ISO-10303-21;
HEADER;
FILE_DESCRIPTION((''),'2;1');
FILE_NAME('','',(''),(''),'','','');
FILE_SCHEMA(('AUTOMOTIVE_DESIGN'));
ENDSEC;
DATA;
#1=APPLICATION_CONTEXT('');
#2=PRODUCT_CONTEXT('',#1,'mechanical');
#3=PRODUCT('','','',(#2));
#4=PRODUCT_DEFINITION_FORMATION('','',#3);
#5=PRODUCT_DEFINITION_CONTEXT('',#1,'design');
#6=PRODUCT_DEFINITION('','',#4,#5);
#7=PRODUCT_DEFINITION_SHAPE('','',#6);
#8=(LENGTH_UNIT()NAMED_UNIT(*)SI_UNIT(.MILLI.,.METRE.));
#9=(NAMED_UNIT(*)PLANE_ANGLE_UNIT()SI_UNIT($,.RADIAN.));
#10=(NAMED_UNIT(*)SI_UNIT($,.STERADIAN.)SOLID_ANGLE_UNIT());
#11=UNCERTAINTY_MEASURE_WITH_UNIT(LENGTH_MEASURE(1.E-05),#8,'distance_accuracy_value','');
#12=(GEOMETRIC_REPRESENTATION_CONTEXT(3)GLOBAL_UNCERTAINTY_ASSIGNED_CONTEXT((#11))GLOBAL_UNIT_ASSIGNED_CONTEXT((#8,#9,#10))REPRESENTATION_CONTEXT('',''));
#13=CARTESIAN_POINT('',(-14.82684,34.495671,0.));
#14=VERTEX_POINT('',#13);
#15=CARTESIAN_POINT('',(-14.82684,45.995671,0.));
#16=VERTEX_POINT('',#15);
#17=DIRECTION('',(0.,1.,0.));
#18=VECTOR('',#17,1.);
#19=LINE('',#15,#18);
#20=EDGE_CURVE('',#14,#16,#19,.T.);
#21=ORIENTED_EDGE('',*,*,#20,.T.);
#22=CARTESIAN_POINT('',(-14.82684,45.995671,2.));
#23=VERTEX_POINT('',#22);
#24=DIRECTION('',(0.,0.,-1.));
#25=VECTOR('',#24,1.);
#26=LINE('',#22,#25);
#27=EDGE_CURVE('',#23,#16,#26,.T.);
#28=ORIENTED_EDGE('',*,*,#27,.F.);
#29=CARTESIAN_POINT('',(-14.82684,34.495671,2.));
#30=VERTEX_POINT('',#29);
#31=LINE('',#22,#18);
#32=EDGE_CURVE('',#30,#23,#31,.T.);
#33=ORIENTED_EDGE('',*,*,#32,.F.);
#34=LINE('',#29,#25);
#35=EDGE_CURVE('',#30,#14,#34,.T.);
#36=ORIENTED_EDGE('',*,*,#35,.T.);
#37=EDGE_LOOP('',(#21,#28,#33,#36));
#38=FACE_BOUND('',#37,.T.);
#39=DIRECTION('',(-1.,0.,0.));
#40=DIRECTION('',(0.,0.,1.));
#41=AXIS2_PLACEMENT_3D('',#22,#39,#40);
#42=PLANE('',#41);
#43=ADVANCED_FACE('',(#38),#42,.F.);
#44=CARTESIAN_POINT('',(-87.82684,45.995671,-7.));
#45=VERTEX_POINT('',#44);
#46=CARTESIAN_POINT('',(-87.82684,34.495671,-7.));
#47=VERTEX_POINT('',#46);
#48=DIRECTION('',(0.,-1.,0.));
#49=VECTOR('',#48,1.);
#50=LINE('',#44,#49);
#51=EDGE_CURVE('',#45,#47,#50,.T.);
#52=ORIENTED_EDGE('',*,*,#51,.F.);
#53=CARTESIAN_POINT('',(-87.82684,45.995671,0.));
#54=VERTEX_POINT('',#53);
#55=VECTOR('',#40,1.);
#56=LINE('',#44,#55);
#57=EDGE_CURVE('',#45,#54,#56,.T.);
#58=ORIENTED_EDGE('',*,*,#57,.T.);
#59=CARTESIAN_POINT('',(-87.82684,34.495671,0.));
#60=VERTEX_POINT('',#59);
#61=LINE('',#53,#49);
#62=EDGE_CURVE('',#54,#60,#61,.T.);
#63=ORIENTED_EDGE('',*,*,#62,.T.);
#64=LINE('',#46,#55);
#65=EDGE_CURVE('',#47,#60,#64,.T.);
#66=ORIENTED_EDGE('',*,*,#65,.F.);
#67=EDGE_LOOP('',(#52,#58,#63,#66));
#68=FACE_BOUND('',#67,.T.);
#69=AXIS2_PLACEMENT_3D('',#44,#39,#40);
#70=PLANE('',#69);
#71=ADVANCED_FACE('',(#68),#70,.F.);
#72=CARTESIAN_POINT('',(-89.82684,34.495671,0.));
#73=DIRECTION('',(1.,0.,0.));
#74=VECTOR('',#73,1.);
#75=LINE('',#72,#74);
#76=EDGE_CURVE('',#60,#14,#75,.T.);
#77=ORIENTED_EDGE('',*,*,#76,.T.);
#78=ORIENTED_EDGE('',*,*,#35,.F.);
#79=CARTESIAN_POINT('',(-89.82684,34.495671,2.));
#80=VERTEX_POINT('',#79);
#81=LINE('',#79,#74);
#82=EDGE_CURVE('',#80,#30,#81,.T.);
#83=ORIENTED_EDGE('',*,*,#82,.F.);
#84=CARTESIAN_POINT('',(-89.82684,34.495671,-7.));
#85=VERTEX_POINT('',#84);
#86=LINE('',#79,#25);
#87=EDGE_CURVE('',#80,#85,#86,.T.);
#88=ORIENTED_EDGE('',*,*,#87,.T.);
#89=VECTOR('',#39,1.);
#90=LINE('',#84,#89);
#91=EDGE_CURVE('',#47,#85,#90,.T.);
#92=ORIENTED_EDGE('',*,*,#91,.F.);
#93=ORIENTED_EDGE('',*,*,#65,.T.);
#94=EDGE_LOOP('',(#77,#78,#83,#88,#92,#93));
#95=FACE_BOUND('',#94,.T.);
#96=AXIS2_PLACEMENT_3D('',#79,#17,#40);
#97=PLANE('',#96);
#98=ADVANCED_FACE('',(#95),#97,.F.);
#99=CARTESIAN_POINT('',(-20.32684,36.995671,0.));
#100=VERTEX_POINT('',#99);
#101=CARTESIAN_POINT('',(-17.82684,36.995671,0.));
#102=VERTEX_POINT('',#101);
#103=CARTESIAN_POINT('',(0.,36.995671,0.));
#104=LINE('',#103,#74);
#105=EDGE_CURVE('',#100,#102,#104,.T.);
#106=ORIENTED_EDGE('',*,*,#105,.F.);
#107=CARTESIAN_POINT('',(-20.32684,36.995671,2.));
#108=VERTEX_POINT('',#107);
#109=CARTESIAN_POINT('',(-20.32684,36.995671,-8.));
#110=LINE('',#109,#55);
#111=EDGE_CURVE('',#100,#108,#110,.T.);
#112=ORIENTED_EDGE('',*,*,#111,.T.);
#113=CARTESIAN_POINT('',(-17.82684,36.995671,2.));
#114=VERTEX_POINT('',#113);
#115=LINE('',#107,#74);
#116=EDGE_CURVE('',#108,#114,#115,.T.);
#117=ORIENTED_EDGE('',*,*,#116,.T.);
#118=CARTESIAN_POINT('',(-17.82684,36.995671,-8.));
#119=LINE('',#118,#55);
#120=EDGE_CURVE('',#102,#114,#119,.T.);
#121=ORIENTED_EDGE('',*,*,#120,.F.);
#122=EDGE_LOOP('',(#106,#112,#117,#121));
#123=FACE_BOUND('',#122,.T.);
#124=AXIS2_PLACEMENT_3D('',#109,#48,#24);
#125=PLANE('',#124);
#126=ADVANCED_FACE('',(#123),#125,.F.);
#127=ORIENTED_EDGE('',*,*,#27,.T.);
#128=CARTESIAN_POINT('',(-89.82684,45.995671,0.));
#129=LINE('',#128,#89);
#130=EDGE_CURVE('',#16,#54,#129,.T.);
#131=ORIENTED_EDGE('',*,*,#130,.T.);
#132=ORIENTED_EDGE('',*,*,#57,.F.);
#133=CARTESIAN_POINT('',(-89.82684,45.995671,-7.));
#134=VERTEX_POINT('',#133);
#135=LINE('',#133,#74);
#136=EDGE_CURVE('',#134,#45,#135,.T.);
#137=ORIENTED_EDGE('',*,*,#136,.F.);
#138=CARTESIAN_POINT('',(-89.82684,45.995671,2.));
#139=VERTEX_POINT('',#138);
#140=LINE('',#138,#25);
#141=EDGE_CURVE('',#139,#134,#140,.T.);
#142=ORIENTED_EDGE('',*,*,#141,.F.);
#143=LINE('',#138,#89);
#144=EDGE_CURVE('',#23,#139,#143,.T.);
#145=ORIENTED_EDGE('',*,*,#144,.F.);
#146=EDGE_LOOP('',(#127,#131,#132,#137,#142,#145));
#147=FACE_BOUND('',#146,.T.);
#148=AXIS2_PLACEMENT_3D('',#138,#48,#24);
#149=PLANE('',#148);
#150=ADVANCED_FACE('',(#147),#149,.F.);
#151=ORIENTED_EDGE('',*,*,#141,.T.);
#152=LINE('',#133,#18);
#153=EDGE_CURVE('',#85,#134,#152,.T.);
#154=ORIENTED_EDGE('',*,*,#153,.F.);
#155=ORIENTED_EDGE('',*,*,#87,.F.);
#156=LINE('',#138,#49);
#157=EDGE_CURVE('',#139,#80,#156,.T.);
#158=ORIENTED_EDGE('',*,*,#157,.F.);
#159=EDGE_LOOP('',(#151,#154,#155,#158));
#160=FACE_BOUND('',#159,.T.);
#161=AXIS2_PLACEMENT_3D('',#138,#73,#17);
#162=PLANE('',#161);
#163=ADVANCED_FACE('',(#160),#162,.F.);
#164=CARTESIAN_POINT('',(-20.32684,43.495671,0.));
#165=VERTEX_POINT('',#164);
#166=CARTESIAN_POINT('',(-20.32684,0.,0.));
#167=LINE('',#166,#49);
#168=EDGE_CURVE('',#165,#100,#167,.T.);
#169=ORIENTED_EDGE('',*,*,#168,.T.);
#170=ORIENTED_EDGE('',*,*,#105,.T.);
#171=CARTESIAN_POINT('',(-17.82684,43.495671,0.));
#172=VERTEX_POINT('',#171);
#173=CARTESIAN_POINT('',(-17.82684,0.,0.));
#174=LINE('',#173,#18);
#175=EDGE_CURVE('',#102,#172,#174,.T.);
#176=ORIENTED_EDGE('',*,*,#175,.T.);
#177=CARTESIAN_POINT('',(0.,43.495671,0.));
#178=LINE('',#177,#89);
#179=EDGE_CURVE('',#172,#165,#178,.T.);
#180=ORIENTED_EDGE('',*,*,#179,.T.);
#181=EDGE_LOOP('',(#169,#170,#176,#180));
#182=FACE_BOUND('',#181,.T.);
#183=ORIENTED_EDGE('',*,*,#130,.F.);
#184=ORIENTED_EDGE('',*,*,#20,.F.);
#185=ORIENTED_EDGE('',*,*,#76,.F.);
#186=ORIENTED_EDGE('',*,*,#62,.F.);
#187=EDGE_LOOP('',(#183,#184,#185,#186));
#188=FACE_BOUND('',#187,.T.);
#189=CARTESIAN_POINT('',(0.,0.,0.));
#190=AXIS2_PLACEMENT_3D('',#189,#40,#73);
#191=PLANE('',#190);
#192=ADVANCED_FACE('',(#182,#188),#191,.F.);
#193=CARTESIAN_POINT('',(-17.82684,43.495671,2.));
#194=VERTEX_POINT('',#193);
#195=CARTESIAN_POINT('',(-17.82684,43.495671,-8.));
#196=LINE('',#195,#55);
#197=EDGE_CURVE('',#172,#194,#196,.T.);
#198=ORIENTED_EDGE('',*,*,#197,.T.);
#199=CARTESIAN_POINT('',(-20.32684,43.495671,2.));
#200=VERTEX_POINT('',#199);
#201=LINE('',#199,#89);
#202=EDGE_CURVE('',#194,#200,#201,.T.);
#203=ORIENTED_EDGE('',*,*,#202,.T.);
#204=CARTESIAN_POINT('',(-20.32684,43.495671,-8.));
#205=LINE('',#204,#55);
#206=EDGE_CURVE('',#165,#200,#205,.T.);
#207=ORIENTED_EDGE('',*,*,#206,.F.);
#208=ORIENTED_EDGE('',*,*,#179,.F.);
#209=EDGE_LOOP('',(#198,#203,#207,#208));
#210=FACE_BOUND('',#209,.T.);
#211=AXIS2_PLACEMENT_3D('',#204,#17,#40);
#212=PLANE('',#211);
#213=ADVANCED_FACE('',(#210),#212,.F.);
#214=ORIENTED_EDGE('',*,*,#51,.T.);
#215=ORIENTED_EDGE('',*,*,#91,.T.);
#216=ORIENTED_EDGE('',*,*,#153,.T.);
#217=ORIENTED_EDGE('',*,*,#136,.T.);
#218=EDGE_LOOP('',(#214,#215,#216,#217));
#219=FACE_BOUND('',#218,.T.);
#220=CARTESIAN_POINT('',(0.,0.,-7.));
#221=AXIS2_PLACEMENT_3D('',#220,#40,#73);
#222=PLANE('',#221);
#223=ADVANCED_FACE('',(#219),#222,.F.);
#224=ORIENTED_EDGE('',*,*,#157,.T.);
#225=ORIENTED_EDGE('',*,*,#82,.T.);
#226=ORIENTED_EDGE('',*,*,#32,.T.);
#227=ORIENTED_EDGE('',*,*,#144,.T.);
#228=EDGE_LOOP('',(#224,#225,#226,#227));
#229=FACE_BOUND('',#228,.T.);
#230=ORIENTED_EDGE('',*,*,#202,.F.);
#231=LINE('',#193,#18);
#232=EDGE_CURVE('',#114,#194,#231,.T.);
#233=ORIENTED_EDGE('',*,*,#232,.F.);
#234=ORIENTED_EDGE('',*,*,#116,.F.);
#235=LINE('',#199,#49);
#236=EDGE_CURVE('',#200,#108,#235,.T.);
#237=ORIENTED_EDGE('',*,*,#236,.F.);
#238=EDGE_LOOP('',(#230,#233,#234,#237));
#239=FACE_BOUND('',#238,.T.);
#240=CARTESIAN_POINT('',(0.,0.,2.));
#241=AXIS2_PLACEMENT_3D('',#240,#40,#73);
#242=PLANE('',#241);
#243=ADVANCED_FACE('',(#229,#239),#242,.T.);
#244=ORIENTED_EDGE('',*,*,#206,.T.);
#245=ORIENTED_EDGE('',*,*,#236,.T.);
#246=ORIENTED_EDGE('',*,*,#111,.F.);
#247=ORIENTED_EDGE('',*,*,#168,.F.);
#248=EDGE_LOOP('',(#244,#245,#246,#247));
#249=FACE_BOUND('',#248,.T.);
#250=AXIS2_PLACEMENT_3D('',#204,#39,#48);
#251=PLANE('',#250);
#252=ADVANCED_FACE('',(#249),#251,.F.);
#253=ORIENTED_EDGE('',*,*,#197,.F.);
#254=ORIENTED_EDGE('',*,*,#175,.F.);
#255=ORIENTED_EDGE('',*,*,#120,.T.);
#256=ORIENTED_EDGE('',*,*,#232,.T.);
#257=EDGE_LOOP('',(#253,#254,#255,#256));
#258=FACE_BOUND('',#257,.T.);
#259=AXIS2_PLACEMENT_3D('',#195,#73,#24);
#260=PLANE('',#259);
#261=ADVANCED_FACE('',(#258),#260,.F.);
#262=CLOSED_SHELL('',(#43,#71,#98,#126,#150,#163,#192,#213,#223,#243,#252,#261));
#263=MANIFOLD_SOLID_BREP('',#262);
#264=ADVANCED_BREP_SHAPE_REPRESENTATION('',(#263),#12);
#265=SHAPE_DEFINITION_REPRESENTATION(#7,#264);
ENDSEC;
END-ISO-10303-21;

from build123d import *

# Parameters (mm, degrees)
SKETCH2_W           = 75
SKETCH2_H           = 11.5
BOSS_EXTRUDE1_DEPTH = 2
SKETCH3_W           = 2
SKETCH3_H           = 11.5
BOSS_EXTRUDE2_DEPTH = 7
SKETCH4_W           = 2.5
SKETCH4_H           = 6.5
CUT_EXTRUDE1_DEPTH  = 10


with BuildPart() as part:
    # Sketch2 → Boss-Extrude1 (new body)
    with BuildSketch(Plane.XY):
        with Locations((-52.326839827, 40.245670996)):
            Rectangle(SKETCH2_W, SKETCH2_H)
    extrude(amount=BOSS_EXTRUDE1_DEPTH)

    # Sketch3 → Boss-Extrude2 (add)
    with BuildSketch(Plane(origin=(0, 0, 0), x_dir=(-1, 0, 0), z_dir=(0, 0, -1))):
        with Locations((88.826839827, 40.245670996)):
            Rectangle(SKETCH3_W, SKETCH3_H)
    extrude(amount=BOSS_EXTRUDE2_DEPTH)

    # Sketch4 → Cut-Extrude1 (cut)
    with BuildSketch(Plane.XY.offset(2)):
        with Locations((-19.076839827, 40.245670996)):
            Rectangle(SKETCH4_W, SKETCH4_H)
    extrude(amount=-CUT_EXTRUDE1_DEPTH, mode=Mode.SUBTRACT)


solid = part.part
